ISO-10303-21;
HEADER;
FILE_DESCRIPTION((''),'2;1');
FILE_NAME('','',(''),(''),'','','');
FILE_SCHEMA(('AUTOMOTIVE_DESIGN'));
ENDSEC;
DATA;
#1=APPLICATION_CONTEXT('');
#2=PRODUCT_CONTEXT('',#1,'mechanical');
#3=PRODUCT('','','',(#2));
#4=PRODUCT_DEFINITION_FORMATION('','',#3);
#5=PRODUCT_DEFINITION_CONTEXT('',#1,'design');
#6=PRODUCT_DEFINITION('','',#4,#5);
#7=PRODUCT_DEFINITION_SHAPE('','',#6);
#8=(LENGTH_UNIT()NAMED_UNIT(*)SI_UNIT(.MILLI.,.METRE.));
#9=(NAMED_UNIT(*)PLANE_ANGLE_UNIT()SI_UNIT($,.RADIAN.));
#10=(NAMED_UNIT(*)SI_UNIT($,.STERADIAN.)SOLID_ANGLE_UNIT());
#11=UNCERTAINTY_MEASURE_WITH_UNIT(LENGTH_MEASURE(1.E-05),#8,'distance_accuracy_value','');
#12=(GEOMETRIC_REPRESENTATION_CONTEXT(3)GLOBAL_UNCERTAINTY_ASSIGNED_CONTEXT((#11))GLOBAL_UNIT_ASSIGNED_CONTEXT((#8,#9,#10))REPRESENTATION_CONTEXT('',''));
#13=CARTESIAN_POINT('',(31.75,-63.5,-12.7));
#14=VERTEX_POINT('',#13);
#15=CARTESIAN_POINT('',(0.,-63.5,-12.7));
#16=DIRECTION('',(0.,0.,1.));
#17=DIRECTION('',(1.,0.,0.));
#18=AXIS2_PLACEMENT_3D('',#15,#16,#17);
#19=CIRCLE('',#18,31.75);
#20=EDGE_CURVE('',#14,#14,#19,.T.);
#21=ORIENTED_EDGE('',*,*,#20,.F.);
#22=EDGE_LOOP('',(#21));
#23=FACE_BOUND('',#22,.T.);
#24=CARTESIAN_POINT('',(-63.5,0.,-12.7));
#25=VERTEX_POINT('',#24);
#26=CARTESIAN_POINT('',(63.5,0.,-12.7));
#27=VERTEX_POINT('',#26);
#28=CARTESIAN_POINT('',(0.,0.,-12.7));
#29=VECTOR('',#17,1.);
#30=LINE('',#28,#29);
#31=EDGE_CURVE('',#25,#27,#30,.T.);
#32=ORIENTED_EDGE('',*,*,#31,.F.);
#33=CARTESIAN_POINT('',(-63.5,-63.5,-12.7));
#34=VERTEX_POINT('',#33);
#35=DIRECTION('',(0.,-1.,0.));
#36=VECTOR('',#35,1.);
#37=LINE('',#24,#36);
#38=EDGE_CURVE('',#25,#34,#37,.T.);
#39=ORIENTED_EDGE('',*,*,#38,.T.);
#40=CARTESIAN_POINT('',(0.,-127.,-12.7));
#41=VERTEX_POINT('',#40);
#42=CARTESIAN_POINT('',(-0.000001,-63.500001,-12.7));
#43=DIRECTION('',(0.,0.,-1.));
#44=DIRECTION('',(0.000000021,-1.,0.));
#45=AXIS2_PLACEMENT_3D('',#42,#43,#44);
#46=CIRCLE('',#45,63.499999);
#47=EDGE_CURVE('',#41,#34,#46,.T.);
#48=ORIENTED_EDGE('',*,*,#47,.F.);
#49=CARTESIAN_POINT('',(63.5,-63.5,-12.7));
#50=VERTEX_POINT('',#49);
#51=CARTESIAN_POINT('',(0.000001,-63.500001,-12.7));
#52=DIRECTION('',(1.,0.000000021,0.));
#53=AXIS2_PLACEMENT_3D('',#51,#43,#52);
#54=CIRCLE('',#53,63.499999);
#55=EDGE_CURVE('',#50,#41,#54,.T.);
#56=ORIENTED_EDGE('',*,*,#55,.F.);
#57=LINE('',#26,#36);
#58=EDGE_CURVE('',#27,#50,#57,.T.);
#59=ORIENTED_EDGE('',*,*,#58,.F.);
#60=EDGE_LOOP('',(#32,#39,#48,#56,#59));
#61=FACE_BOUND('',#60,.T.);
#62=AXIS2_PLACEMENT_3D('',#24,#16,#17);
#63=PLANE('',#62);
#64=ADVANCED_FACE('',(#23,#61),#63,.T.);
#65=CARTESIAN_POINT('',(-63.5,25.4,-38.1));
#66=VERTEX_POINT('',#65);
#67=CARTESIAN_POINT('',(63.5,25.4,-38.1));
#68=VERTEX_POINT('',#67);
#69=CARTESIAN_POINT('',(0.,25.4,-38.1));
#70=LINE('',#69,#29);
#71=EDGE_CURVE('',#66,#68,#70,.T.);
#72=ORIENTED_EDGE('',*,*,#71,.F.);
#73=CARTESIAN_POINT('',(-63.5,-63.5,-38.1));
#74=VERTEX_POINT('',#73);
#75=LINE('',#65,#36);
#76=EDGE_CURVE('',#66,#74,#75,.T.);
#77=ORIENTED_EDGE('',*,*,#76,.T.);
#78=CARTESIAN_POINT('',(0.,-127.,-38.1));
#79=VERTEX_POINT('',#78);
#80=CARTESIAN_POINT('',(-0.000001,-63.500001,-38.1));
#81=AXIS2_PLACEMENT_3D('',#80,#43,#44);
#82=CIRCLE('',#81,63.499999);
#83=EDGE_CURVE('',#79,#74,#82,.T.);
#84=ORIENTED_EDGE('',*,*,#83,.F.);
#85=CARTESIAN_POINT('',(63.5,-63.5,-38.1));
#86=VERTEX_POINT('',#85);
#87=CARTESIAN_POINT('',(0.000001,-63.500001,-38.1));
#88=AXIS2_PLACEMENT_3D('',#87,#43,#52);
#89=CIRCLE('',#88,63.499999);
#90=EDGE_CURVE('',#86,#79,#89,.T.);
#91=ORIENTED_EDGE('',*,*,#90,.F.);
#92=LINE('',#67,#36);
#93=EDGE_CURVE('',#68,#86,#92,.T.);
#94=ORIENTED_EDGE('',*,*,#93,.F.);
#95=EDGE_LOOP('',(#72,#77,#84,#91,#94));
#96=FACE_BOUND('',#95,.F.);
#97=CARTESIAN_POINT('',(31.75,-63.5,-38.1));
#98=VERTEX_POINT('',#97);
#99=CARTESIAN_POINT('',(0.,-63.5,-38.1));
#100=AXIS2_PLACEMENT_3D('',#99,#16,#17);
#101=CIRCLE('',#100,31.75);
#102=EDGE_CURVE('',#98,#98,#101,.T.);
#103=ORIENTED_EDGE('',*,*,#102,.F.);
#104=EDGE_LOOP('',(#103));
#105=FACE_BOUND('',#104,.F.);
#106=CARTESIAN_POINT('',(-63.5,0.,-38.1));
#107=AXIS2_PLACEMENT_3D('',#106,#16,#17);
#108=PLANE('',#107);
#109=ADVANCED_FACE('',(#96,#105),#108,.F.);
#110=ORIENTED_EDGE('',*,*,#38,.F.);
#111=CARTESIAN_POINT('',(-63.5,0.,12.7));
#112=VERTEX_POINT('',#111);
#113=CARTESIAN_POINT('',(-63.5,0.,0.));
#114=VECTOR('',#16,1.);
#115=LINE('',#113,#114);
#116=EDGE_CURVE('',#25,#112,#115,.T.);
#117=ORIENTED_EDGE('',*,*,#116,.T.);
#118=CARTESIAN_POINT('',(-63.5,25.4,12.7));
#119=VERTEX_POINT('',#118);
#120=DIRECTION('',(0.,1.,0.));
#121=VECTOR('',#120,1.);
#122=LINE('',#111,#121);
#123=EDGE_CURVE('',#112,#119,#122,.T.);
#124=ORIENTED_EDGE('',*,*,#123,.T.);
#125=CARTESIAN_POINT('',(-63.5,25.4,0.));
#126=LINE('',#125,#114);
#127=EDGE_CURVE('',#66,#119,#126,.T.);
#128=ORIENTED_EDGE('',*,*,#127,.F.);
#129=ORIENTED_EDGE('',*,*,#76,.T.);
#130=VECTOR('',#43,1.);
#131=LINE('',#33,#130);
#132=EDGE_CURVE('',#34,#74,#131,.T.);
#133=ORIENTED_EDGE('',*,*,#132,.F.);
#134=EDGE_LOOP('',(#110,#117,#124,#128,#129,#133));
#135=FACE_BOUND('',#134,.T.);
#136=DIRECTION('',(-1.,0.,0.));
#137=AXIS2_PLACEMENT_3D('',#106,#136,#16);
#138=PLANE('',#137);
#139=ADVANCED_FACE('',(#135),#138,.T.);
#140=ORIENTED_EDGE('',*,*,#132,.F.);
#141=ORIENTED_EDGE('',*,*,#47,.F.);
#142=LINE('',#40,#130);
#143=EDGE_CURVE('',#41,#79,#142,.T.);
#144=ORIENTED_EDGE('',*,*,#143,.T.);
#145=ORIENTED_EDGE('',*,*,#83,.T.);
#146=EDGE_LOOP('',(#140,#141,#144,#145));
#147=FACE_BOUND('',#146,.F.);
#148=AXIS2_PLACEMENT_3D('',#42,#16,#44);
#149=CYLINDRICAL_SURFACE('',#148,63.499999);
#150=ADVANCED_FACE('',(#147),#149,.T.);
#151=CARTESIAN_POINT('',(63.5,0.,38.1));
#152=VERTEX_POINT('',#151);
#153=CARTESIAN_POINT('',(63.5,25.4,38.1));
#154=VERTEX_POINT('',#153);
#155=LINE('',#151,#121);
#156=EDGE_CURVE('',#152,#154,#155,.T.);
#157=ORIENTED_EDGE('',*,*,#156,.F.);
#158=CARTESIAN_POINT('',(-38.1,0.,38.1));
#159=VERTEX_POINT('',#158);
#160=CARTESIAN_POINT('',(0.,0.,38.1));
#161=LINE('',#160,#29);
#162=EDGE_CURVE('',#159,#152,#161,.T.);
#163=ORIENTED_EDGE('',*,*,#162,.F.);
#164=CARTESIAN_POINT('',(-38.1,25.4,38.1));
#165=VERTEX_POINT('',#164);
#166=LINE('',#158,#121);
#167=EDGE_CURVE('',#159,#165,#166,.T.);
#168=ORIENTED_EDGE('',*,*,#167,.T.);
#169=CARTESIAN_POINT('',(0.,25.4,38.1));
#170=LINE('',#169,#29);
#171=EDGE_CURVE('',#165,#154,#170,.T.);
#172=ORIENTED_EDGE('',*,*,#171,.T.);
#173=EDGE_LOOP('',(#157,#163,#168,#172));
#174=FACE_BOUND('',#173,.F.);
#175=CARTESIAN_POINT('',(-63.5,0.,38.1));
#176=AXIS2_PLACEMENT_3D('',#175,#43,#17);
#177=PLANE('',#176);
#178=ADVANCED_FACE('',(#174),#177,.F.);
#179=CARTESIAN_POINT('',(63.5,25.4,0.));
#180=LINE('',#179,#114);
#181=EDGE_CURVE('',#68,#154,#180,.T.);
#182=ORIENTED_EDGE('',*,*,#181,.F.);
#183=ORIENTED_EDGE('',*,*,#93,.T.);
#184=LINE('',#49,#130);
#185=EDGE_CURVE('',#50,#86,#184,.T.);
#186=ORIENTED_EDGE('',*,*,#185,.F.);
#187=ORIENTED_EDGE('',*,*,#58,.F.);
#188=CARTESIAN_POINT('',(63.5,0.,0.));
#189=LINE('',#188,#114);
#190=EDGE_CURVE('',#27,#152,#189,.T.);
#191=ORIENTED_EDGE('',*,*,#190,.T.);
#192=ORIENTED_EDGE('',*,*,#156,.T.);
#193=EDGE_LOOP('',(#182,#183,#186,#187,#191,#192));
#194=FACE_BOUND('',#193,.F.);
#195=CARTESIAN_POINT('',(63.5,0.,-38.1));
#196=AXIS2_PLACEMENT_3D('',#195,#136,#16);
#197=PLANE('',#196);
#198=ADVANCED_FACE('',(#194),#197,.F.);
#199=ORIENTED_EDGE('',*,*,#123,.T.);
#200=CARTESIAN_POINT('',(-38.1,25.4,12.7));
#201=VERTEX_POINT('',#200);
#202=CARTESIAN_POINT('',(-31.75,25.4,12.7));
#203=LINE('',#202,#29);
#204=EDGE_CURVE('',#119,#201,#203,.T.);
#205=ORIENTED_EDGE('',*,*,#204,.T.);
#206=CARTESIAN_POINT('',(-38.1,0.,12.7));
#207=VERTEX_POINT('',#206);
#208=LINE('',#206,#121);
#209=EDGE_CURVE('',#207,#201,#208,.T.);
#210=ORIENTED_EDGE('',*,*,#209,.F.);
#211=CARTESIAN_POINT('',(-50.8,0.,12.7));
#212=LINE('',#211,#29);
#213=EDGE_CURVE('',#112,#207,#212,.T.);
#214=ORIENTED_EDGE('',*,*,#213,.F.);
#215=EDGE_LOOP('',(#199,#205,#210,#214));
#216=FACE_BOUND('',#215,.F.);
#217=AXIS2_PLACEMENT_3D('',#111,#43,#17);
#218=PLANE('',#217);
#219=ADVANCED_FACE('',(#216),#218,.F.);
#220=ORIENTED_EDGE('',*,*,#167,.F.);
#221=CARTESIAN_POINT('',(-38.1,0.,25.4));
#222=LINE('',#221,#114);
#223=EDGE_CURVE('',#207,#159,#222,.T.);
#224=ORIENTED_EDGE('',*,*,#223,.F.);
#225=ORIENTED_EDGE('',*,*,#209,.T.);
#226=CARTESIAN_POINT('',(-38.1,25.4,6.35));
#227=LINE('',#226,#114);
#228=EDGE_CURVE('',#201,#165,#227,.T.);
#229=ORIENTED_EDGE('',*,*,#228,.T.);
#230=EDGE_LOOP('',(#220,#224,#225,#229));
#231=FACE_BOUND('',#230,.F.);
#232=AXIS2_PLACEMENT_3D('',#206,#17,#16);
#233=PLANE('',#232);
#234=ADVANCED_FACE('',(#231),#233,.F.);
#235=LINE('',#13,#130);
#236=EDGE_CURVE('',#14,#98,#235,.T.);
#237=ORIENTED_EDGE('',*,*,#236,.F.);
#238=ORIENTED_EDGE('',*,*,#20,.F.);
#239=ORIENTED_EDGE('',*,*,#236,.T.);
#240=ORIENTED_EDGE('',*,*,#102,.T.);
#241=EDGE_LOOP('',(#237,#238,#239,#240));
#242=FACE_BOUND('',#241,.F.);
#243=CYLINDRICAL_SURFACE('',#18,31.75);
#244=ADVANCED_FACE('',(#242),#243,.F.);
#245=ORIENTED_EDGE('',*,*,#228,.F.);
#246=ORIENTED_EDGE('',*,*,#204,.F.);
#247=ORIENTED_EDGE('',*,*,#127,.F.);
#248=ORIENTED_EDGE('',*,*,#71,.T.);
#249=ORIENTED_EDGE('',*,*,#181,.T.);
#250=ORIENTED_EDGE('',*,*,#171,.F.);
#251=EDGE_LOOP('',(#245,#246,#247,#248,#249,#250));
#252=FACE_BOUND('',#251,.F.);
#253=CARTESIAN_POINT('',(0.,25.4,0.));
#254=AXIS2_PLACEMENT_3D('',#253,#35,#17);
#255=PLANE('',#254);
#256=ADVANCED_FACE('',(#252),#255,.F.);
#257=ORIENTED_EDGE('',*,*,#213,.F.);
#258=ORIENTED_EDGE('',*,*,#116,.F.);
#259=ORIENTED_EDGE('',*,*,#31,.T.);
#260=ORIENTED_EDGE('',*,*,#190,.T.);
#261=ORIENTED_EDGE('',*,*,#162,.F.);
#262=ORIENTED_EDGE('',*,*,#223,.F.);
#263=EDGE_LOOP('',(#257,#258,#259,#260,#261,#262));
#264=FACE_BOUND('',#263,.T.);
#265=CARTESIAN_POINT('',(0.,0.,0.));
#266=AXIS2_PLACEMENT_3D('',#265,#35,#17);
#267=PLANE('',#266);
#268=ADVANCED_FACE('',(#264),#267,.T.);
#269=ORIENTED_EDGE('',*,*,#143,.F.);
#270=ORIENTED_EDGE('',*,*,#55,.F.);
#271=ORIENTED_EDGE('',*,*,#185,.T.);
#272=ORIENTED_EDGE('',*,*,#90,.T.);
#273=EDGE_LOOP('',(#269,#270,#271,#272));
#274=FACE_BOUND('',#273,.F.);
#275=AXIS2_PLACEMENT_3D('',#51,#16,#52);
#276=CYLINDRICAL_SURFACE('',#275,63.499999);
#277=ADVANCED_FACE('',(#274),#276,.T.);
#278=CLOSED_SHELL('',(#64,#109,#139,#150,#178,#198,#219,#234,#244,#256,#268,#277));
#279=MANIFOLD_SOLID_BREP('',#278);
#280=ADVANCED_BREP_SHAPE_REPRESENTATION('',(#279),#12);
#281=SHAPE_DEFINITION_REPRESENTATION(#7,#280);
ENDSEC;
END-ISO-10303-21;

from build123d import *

# Parameters (mm, degrees)
F0_W     = 127
F0_H     = 76.2
F1_DEPTH = 25.4
F2_W     = 127
F2_H     = 25.4
F3_DEPTH = 127
F5_DEPTH = 25.4
F6_R     = 31.75
F7_DEPTH = 25.401
F8_W     = 25.4
F8_H     = 25.4
F9_DEPTH = 25.401


with BuildPart() as f1:
    # F0 (on Front) → F1 (new body)
    with BuildSketch(Plane.XZ):
        Rectangle(F0_W, F0_H)
    extrude(amount=-F1_DEPTH)

    # F2 (on face) → F3 (join)
    with BuildSketch(Plane.XZ):
        with Locations((0, -25.4)):
            Rectangle(F2_W, F2_H)
    extrude(amount=F3_DEPTH)

    # F4 (on face) → F5 (cut)
    with BuildSketch(Plane.XY.offset(-12.7)):
        with BuildLine():
            Line((-63.5, -127), (0, -127))
            ThreePointArc((0, -127), (-44.901281, -108.401281), (-63.5, -63.5))
            Line((-63.5, -63.5), (-63.5, -127))
        make_face()
        with BuildLine():
            ThreePointArc((63.5, -63.5), (44.901281, -108.401281), (0, -127))
            Line((0, -127), (63.5, -127))
            Line((63.5, -127), (63.5, -63.5))
        make_face()
    extrude(amount=-F5_DEPTH, mode=Mode.SUBTRACT)

    # F6 (on face) → F7 (cut, through all)
    with BuildSketch(Plane.XY.offset(-12.7)):
        with Locations((0, -63.5)):
            Circle(F6_R)
    extrude(amount=-F7_DEPTH, mode=Mode.SUBTRACT)

    # F8 (on face) → F9 (cut, through all)
    with BuildSketch(Plane.XZ):
        with Locations((-50.8, 25.4)):
            Rectangle(F8_W, F8_H)
    extrude(amount=-F9_DEPTH, mode=Mode.SUBTRACT)


solid = f1.part
